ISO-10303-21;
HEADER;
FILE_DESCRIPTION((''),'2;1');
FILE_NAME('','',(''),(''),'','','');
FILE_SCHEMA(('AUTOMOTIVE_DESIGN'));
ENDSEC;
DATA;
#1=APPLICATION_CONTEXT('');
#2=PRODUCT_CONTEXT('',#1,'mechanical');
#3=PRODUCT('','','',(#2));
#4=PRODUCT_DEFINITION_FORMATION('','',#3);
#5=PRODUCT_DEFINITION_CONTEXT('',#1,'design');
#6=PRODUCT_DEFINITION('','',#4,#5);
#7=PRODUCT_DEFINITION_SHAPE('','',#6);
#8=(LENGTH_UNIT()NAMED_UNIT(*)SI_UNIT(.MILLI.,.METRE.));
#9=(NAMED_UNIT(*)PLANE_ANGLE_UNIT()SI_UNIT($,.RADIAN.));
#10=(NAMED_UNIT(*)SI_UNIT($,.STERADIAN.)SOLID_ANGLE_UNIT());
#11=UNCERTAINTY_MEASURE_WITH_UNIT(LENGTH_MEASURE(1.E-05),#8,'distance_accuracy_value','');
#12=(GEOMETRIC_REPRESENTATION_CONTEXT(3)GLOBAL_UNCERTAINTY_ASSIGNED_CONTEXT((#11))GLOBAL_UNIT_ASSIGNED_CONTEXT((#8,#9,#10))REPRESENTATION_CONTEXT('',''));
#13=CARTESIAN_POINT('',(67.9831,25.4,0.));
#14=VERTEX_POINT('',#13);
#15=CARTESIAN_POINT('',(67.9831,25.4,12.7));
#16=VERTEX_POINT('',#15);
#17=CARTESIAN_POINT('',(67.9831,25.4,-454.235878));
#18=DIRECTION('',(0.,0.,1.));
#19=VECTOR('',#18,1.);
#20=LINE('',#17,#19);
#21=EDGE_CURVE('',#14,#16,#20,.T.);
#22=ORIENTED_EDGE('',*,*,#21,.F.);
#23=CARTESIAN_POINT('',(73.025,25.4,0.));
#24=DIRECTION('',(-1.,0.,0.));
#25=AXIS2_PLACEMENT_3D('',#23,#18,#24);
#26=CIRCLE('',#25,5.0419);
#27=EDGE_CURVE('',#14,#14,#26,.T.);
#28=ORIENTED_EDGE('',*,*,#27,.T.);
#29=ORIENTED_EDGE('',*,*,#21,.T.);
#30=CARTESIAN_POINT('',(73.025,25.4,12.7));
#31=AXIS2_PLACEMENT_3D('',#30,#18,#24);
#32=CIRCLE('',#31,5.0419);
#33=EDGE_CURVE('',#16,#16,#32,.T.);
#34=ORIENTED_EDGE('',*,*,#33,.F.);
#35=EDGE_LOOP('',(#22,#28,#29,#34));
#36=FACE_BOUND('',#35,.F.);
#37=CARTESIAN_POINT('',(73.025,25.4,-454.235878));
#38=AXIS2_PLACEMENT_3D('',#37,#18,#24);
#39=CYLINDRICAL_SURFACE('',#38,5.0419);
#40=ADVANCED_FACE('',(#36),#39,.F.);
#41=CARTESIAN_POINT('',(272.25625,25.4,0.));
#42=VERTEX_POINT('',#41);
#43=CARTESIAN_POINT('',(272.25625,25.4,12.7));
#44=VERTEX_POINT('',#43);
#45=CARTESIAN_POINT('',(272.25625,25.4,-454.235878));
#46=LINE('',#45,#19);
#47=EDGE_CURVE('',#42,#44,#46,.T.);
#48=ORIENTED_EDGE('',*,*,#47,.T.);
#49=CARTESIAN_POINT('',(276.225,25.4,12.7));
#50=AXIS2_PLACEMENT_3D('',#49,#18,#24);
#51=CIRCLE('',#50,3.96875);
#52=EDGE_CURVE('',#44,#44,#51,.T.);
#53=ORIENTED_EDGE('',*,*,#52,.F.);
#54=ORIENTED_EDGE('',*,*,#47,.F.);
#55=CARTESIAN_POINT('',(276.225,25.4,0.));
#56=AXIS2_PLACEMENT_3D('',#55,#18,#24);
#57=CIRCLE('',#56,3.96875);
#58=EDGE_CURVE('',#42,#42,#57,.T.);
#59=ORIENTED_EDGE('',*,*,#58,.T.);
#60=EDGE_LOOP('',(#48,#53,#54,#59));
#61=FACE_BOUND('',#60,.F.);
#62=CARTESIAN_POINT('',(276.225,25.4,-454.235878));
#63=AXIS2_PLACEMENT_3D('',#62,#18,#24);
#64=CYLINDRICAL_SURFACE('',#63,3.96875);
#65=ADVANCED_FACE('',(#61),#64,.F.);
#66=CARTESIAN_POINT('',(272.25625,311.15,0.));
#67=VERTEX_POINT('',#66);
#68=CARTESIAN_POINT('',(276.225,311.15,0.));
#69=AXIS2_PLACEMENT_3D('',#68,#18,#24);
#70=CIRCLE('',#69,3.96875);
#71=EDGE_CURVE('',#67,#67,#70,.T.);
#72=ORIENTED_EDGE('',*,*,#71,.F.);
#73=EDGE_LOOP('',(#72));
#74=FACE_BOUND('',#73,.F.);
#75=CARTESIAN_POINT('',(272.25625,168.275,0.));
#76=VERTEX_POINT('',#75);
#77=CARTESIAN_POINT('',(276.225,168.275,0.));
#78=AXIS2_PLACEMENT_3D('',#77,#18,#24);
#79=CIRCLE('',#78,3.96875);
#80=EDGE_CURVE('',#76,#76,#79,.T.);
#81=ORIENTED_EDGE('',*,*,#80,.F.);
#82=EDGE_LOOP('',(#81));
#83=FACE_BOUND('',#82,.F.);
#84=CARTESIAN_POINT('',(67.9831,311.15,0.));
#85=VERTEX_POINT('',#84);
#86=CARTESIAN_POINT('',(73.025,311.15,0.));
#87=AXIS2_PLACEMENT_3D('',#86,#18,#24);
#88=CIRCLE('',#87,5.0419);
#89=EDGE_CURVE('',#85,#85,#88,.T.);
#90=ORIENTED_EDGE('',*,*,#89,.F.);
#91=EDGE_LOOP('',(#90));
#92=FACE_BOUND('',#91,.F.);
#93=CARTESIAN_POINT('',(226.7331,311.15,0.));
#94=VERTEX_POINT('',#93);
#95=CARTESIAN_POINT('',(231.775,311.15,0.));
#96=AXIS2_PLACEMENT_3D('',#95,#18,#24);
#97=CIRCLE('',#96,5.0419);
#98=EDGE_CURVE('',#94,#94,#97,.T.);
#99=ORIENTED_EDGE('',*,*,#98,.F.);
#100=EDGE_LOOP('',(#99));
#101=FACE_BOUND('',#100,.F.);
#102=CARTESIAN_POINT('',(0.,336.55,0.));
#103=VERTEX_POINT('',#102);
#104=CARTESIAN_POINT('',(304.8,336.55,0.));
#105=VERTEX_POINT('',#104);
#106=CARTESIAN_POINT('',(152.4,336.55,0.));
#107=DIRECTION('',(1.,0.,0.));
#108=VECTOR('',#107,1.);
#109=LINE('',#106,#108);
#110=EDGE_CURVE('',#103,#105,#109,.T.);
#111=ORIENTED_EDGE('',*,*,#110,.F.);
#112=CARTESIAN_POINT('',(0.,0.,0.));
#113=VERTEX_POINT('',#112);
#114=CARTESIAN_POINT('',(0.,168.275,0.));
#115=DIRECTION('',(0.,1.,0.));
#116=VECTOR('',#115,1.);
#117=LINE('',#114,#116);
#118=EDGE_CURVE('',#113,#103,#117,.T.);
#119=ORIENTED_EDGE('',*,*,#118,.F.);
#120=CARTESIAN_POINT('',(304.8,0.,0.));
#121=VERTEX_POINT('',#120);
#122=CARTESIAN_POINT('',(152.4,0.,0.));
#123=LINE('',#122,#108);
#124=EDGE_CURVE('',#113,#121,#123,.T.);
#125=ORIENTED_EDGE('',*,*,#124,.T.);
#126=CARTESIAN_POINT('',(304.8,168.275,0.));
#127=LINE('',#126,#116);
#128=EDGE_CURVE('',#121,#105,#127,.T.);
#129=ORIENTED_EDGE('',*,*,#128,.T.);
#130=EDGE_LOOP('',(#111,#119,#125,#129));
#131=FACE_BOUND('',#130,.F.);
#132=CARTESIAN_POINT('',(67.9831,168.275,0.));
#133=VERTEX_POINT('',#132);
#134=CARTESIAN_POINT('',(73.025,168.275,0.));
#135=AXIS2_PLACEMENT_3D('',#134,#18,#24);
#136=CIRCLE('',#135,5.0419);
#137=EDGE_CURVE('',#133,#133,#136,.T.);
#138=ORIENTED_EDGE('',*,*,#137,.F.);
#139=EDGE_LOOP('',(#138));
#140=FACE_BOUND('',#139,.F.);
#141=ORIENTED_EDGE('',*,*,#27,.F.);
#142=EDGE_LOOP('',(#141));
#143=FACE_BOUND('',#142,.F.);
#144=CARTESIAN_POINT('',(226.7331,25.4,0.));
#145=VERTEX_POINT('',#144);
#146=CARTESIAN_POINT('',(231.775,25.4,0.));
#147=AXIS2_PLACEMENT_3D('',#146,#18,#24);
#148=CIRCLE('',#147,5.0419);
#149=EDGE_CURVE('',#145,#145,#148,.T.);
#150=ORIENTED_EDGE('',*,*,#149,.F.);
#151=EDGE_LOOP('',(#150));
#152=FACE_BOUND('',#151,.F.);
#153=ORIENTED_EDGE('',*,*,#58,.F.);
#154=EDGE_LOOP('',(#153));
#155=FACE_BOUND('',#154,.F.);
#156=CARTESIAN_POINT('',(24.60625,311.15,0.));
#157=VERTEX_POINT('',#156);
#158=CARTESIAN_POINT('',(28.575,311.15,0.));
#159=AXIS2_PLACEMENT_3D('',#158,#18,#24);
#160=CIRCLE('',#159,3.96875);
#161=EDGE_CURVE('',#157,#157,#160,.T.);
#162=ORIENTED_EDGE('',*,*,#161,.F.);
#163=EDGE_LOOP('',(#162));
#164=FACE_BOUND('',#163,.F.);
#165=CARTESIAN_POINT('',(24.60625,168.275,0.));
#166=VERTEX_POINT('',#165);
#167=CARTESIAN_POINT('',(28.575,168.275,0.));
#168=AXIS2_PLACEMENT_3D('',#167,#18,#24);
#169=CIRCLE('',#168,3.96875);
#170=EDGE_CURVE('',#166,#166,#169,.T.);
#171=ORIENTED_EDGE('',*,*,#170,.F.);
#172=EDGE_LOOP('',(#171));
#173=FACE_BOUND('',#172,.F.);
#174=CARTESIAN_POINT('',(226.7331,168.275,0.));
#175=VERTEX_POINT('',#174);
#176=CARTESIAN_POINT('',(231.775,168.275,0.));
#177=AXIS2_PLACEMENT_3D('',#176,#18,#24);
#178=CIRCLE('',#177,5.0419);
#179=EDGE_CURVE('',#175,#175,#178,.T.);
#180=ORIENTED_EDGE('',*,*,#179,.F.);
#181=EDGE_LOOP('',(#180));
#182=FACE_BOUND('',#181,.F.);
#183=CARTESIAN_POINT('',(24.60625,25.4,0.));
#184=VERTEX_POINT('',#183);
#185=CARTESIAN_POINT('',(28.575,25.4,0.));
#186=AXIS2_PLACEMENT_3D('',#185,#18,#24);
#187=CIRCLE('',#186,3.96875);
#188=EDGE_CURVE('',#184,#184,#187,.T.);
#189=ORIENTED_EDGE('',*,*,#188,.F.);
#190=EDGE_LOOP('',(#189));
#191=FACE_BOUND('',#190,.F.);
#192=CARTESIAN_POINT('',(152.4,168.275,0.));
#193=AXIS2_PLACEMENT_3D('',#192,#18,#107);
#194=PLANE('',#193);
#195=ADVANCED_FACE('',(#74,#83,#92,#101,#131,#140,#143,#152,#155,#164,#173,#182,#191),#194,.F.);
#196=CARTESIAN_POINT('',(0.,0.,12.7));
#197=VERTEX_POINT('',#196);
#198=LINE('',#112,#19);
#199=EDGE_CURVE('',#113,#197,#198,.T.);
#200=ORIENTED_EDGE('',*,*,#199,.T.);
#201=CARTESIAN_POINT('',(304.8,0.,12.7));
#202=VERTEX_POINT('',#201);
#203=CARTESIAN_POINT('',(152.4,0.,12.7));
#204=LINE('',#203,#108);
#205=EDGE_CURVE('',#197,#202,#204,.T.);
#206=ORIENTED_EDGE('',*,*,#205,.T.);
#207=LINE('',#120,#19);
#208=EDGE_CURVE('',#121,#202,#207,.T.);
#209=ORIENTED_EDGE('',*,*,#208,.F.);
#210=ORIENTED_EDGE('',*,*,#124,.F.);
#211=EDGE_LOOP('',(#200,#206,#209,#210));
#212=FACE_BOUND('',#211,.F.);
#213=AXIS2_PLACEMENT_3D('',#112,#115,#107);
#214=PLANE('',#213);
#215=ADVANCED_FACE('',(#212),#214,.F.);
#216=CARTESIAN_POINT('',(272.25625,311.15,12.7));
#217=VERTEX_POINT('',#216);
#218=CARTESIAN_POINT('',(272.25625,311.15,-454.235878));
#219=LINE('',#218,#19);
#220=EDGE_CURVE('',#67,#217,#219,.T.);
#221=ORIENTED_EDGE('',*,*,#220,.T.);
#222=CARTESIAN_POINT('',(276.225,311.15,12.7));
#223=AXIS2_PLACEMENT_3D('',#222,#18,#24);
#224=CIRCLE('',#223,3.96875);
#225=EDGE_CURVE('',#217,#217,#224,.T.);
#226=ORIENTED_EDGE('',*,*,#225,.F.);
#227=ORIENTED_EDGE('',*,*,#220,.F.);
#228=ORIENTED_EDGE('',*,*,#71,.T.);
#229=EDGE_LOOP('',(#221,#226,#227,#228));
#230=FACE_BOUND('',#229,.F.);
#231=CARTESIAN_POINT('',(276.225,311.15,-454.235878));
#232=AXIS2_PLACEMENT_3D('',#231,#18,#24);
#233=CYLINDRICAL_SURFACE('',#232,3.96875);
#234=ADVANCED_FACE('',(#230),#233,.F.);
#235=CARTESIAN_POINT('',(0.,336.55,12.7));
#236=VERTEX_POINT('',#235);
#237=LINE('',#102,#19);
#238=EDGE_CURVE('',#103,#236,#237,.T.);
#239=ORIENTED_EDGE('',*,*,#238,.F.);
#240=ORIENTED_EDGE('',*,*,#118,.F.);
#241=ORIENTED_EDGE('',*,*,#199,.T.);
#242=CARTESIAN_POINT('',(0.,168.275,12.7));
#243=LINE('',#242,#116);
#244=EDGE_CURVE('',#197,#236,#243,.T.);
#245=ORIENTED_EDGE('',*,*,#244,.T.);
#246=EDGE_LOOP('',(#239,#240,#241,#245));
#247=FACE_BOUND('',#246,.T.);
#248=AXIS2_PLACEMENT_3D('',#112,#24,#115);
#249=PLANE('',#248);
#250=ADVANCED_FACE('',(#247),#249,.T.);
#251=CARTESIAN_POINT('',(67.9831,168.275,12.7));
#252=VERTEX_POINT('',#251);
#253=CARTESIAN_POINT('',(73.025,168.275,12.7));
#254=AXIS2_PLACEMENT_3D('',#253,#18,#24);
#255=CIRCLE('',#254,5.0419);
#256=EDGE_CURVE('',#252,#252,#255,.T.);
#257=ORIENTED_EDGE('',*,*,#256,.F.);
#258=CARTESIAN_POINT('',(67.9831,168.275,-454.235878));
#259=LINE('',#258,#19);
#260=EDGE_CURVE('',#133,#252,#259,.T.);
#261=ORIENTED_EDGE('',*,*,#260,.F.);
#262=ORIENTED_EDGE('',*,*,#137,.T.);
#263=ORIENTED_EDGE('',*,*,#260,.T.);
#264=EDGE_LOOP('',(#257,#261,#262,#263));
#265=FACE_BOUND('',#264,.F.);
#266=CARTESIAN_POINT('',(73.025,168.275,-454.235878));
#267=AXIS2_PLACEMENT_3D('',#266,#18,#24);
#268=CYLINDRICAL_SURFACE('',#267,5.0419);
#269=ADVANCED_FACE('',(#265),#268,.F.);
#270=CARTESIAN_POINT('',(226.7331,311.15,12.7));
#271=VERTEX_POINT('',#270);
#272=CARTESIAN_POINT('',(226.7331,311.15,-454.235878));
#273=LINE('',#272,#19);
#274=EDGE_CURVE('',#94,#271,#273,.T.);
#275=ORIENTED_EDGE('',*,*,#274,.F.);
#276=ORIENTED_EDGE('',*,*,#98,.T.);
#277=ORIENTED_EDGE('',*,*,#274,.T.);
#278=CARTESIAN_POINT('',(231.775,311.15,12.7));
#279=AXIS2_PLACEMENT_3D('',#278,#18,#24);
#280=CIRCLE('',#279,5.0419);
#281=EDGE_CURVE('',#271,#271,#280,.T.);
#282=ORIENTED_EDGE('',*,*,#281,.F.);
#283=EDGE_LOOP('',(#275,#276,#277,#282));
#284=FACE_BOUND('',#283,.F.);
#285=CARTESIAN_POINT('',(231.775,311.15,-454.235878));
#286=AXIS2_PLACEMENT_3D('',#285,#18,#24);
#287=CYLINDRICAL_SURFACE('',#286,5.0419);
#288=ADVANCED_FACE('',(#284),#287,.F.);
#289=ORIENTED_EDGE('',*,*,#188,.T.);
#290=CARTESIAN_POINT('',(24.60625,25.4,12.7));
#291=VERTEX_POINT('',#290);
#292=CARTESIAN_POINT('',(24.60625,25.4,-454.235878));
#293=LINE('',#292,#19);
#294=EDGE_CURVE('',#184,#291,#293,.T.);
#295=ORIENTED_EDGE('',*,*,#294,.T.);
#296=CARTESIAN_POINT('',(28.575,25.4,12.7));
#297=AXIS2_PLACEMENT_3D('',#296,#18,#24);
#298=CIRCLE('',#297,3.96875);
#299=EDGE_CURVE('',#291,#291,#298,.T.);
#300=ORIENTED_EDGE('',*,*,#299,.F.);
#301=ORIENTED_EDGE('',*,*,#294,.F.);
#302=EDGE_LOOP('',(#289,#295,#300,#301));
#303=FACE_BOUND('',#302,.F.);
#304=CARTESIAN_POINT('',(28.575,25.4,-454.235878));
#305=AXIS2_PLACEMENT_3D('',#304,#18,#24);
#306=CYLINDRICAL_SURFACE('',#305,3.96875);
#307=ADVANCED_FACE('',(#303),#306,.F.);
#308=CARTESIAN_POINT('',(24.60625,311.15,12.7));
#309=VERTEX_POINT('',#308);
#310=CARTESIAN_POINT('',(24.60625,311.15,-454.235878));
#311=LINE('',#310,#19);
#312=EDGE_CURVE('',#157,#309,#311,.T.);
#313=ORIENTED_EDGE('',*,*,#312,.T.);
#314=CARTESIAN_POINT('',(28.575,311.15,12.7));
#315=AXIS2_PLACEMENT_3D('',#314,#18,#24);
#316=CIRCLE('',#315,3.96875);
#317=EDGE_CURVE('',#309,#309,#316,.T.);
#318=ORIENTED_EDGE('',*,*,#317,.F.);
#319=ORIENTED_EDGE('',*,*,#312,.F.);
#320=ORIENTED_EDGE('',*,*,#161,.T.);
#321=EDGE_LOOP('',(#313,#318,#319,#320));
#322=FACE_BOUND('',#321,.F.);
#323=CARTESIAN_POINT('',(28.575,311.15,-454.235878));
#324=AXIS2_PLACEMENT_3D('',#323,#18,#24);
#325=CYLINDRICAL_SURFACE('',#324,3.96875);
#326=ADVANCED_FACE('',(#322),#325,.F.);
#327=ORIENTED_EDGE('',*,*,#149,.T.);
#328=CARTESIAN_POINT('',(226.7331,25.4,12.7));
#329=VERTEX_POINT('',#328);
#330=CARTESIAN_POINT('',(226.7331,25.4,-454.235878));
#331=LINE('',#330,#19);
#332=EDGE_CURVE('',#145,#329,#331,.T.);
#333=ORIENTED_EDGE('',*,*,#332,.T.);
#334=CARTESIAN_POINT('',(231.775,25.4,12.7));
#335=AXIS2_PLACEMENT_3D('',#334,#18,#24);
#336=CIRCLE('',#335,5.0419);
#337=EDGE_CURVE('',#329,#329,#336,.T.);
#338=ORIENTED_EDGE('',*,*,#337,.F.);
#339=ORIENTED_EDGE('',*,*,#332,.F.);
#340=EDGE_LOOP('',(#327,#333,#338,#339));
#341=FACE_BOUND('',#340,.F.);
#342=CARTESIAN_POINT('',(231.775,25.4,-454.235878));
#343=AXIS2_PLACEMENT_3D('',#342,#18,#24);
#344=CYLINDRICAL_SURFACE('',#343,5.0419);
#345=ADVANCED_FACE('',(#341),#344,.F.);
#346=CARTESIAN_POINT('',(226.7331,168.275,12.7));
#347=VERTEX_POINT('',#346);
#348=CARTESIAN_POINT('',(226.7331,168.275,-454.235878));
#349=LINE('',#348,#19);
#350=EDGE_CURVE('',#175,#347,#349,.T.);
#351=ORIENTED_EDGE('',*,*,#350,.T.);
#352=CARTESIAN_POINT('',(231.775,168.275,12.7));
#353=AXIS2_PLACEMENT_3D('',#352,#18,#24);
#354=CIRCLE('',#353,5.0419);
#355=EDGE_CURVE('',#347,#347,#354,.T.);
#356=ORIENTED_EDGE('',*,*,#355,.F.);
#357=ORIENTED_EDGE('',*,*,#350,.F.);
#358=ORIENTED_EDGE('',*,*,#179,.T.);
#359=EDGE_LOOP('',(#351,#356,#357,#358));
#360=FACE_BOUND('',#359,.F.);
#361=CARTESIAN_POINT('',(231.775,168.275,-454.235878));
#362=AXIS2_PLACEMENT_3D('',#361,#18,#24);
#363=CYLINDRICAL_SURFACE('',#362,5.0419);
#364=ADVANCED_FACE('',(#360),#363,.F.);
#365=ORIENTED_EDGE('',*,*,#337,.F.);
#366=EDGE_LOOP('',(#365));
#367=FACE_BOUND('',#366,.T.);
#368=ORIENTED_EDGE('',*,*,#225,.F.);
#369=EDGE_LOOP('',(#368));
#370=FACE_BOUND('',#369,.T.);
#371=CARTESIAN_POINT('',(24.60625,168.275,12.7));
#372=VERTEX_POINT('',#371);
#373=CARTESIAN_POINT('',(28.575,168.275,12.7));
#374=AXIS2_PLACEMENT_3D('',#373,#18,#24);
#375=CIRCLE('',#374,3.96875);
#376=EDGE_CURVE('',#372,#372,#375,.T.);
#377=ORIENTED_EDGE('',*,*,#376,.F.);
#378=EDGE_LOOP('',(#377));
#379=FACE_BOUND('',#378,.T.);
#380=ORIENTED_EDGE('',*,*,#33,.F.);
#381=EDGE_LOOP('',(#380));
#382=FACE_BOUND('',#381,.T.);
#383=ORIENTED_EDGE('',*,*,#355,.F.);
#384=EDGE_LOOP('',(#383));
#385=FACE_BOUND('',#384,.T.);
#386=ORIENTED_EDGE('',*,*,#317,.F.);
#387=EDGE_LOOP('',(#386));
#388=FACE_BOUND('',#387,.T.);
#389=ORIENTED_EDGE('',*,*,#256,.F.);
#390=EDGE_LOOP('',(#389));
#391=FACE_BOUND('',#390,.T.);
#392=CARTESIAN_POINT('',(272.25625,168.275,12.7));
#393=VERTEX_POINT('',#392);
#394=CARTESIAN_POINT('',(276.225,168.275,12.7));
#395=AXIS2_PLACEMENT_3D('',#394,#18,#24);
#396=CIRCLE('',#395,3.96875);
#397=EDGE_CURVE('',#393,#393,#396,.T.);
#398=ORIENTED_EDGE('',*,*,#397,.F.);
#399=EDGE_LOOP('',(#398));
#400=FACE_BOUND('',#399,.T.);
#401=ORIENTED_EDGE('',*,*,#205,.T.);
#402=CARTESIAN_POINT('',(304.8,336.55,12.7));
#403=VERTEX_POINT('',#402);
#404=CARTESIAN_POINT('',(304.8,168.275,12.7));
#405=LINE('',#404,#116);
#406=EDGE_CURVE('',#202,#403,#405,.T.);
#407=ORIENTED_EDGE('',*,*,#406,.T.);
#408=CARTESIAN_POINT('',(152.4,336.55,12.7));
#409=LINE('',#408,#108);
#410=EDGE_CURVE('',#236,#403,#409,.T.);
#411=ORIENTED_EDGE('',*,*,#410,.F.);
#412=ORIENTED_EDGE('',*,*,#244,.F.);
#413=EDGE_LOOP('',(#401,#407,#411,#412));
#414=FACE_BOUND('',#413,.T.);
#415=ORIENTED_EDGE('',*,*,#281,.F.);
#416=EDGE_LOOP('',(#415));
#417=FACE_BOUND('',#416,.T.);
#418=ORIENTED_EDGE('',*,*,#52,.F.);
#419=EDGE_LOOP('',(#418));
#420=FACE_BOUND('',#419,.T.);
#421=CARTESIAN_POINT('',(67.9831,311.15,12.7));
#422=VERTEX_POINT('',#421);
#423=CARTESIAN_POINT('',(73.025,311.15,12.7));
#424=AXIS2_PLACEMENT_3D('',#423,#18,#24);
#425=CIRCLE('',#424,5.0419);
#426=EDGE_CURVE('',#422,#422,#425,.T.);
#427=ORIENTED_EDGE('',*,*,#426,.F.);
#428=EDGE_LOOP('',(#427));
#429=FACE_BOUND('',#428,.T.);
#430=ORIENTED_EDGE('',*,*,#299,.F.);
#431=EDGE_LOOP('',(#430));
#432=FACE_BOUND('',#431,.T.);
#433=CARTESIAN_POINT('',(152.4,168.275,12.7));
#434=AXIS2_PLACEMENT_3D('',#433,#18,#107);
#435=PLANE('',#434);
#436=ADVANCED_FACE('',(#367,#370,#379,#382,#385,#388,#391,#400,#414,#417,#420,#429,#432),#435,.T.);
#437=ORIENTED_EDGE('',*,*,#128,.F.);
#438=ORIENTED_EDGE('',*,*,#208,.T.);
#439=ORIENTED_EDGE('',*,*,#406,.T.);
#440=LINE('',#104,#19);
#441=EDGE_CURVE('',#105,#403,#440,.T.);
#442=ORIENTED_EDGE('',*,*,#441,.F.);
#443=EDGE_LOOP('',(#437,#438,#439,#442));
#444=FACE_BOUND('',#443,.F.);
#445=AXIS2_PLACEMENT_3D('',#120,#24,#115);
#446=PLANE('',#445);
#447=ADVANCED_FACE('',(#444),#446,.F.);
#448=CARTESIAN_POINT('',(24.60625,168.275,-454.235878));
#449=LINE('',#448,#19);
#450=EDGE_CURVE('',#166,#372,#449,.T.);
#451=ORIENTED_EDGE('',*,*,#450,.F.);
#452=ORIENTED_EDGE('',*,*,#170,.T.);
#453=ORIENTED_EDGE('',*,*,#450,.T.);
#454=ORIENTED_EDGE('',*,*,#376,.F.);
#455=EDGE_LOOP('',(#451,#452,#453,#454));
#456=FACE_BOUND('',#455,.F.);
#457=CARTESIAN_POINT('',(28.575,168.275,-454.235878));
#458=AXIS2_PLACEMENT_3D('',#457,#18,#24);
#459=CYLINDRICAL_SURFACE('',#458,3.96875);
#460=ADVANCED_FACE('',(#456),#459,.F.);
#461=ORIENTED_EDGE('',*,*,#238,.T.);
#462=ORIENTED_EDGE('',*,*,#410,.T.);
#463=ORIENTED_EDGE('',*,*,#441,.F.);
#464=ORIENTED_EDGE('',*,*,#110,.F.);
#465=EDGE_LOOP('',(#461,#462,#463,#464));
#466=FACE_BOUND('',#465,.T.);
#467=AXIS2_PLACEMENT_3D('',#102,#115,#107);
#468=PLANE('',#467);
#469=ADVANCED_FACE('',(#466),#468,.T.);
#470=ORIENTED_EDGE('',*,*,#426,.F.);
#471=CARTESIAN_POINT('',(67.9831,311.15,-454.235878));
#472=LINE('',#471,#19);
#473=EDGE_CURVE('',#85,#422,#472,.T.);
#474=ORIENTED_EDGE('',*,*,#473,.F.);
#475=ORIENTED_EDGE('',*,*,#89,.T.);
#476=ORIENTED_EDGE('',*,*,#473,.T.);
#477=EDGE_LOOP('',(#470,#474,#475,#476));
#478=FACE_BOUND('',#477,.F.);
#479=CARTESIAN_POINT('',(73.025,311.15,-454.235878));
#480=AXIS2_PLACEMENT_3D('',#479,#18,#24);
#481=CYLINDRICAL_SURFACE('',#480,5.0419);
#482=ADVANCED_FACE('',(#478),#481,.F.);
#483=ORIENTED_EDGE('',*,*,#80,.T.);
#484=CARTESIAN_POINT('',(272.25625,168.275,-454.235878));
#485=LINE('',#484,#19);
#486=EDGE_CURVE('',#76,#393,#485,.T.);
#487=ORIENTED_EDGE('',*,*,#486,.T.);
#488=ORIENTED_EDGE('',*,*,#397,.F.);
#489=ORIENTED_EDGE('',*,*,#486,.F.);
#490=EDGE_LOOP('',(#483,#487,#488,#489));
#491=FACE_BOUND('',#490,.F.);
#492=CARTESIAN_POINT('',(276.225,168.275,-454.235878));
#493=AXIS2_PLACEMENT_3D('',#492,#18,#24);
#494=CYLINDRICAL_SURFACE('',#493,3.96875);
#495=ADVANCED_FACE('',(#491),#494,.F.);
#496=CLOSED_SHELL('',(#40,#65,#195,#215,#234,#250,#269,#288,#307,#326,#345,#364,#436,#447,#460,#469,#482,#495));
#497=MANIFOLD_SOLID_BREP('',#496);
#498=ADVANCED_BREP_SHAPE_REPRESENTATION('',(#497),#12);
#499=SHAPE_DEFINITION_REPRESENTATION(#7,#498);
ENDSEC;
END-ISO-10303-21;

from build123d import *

# Parameters (mm, degrees)
F0_W     = 304.8
F0_H     = 336.55
F1_DEPTH = 12.7
F2_D     = 7.9375
F3_D     = 10.0838


with BuildPart() as f1:
    # F0 (on Top) → F1 (new body)
    with BuildSketch(Plane.XY):
        with Locations((152.4, 168.275)):
            Rectangle(F0_W, F0_H)
    extrude(amount=F1_DEPTH)

    # F2 (through all)
    with Locations(Plane(origin=(0, 0, 0), x_dir=(1, 0, 0), z_dir=(0, 0, -1))):
        with Locations((276.225, -25.4), (276.225, -311.15), (276.225, -168.275), (28.575, -168.275), (28.575, -311.15), (28.575, -25.4)):
            Hole(F2_D / 2)

    # F3 (through all)
    with Locations(Plane(origin=(0, 0, 0), x_dir=(1, 0, 0), z_dir=(0, 0, -1))):
        with Locations((231.775, -25.4), (231.775, -168.275), (231.775, -311.15), (73.025, -311.15), (73.025, -168.275), (73.025, -25.4)):
            Hole(F3_D / 2)


solid = f1.part
